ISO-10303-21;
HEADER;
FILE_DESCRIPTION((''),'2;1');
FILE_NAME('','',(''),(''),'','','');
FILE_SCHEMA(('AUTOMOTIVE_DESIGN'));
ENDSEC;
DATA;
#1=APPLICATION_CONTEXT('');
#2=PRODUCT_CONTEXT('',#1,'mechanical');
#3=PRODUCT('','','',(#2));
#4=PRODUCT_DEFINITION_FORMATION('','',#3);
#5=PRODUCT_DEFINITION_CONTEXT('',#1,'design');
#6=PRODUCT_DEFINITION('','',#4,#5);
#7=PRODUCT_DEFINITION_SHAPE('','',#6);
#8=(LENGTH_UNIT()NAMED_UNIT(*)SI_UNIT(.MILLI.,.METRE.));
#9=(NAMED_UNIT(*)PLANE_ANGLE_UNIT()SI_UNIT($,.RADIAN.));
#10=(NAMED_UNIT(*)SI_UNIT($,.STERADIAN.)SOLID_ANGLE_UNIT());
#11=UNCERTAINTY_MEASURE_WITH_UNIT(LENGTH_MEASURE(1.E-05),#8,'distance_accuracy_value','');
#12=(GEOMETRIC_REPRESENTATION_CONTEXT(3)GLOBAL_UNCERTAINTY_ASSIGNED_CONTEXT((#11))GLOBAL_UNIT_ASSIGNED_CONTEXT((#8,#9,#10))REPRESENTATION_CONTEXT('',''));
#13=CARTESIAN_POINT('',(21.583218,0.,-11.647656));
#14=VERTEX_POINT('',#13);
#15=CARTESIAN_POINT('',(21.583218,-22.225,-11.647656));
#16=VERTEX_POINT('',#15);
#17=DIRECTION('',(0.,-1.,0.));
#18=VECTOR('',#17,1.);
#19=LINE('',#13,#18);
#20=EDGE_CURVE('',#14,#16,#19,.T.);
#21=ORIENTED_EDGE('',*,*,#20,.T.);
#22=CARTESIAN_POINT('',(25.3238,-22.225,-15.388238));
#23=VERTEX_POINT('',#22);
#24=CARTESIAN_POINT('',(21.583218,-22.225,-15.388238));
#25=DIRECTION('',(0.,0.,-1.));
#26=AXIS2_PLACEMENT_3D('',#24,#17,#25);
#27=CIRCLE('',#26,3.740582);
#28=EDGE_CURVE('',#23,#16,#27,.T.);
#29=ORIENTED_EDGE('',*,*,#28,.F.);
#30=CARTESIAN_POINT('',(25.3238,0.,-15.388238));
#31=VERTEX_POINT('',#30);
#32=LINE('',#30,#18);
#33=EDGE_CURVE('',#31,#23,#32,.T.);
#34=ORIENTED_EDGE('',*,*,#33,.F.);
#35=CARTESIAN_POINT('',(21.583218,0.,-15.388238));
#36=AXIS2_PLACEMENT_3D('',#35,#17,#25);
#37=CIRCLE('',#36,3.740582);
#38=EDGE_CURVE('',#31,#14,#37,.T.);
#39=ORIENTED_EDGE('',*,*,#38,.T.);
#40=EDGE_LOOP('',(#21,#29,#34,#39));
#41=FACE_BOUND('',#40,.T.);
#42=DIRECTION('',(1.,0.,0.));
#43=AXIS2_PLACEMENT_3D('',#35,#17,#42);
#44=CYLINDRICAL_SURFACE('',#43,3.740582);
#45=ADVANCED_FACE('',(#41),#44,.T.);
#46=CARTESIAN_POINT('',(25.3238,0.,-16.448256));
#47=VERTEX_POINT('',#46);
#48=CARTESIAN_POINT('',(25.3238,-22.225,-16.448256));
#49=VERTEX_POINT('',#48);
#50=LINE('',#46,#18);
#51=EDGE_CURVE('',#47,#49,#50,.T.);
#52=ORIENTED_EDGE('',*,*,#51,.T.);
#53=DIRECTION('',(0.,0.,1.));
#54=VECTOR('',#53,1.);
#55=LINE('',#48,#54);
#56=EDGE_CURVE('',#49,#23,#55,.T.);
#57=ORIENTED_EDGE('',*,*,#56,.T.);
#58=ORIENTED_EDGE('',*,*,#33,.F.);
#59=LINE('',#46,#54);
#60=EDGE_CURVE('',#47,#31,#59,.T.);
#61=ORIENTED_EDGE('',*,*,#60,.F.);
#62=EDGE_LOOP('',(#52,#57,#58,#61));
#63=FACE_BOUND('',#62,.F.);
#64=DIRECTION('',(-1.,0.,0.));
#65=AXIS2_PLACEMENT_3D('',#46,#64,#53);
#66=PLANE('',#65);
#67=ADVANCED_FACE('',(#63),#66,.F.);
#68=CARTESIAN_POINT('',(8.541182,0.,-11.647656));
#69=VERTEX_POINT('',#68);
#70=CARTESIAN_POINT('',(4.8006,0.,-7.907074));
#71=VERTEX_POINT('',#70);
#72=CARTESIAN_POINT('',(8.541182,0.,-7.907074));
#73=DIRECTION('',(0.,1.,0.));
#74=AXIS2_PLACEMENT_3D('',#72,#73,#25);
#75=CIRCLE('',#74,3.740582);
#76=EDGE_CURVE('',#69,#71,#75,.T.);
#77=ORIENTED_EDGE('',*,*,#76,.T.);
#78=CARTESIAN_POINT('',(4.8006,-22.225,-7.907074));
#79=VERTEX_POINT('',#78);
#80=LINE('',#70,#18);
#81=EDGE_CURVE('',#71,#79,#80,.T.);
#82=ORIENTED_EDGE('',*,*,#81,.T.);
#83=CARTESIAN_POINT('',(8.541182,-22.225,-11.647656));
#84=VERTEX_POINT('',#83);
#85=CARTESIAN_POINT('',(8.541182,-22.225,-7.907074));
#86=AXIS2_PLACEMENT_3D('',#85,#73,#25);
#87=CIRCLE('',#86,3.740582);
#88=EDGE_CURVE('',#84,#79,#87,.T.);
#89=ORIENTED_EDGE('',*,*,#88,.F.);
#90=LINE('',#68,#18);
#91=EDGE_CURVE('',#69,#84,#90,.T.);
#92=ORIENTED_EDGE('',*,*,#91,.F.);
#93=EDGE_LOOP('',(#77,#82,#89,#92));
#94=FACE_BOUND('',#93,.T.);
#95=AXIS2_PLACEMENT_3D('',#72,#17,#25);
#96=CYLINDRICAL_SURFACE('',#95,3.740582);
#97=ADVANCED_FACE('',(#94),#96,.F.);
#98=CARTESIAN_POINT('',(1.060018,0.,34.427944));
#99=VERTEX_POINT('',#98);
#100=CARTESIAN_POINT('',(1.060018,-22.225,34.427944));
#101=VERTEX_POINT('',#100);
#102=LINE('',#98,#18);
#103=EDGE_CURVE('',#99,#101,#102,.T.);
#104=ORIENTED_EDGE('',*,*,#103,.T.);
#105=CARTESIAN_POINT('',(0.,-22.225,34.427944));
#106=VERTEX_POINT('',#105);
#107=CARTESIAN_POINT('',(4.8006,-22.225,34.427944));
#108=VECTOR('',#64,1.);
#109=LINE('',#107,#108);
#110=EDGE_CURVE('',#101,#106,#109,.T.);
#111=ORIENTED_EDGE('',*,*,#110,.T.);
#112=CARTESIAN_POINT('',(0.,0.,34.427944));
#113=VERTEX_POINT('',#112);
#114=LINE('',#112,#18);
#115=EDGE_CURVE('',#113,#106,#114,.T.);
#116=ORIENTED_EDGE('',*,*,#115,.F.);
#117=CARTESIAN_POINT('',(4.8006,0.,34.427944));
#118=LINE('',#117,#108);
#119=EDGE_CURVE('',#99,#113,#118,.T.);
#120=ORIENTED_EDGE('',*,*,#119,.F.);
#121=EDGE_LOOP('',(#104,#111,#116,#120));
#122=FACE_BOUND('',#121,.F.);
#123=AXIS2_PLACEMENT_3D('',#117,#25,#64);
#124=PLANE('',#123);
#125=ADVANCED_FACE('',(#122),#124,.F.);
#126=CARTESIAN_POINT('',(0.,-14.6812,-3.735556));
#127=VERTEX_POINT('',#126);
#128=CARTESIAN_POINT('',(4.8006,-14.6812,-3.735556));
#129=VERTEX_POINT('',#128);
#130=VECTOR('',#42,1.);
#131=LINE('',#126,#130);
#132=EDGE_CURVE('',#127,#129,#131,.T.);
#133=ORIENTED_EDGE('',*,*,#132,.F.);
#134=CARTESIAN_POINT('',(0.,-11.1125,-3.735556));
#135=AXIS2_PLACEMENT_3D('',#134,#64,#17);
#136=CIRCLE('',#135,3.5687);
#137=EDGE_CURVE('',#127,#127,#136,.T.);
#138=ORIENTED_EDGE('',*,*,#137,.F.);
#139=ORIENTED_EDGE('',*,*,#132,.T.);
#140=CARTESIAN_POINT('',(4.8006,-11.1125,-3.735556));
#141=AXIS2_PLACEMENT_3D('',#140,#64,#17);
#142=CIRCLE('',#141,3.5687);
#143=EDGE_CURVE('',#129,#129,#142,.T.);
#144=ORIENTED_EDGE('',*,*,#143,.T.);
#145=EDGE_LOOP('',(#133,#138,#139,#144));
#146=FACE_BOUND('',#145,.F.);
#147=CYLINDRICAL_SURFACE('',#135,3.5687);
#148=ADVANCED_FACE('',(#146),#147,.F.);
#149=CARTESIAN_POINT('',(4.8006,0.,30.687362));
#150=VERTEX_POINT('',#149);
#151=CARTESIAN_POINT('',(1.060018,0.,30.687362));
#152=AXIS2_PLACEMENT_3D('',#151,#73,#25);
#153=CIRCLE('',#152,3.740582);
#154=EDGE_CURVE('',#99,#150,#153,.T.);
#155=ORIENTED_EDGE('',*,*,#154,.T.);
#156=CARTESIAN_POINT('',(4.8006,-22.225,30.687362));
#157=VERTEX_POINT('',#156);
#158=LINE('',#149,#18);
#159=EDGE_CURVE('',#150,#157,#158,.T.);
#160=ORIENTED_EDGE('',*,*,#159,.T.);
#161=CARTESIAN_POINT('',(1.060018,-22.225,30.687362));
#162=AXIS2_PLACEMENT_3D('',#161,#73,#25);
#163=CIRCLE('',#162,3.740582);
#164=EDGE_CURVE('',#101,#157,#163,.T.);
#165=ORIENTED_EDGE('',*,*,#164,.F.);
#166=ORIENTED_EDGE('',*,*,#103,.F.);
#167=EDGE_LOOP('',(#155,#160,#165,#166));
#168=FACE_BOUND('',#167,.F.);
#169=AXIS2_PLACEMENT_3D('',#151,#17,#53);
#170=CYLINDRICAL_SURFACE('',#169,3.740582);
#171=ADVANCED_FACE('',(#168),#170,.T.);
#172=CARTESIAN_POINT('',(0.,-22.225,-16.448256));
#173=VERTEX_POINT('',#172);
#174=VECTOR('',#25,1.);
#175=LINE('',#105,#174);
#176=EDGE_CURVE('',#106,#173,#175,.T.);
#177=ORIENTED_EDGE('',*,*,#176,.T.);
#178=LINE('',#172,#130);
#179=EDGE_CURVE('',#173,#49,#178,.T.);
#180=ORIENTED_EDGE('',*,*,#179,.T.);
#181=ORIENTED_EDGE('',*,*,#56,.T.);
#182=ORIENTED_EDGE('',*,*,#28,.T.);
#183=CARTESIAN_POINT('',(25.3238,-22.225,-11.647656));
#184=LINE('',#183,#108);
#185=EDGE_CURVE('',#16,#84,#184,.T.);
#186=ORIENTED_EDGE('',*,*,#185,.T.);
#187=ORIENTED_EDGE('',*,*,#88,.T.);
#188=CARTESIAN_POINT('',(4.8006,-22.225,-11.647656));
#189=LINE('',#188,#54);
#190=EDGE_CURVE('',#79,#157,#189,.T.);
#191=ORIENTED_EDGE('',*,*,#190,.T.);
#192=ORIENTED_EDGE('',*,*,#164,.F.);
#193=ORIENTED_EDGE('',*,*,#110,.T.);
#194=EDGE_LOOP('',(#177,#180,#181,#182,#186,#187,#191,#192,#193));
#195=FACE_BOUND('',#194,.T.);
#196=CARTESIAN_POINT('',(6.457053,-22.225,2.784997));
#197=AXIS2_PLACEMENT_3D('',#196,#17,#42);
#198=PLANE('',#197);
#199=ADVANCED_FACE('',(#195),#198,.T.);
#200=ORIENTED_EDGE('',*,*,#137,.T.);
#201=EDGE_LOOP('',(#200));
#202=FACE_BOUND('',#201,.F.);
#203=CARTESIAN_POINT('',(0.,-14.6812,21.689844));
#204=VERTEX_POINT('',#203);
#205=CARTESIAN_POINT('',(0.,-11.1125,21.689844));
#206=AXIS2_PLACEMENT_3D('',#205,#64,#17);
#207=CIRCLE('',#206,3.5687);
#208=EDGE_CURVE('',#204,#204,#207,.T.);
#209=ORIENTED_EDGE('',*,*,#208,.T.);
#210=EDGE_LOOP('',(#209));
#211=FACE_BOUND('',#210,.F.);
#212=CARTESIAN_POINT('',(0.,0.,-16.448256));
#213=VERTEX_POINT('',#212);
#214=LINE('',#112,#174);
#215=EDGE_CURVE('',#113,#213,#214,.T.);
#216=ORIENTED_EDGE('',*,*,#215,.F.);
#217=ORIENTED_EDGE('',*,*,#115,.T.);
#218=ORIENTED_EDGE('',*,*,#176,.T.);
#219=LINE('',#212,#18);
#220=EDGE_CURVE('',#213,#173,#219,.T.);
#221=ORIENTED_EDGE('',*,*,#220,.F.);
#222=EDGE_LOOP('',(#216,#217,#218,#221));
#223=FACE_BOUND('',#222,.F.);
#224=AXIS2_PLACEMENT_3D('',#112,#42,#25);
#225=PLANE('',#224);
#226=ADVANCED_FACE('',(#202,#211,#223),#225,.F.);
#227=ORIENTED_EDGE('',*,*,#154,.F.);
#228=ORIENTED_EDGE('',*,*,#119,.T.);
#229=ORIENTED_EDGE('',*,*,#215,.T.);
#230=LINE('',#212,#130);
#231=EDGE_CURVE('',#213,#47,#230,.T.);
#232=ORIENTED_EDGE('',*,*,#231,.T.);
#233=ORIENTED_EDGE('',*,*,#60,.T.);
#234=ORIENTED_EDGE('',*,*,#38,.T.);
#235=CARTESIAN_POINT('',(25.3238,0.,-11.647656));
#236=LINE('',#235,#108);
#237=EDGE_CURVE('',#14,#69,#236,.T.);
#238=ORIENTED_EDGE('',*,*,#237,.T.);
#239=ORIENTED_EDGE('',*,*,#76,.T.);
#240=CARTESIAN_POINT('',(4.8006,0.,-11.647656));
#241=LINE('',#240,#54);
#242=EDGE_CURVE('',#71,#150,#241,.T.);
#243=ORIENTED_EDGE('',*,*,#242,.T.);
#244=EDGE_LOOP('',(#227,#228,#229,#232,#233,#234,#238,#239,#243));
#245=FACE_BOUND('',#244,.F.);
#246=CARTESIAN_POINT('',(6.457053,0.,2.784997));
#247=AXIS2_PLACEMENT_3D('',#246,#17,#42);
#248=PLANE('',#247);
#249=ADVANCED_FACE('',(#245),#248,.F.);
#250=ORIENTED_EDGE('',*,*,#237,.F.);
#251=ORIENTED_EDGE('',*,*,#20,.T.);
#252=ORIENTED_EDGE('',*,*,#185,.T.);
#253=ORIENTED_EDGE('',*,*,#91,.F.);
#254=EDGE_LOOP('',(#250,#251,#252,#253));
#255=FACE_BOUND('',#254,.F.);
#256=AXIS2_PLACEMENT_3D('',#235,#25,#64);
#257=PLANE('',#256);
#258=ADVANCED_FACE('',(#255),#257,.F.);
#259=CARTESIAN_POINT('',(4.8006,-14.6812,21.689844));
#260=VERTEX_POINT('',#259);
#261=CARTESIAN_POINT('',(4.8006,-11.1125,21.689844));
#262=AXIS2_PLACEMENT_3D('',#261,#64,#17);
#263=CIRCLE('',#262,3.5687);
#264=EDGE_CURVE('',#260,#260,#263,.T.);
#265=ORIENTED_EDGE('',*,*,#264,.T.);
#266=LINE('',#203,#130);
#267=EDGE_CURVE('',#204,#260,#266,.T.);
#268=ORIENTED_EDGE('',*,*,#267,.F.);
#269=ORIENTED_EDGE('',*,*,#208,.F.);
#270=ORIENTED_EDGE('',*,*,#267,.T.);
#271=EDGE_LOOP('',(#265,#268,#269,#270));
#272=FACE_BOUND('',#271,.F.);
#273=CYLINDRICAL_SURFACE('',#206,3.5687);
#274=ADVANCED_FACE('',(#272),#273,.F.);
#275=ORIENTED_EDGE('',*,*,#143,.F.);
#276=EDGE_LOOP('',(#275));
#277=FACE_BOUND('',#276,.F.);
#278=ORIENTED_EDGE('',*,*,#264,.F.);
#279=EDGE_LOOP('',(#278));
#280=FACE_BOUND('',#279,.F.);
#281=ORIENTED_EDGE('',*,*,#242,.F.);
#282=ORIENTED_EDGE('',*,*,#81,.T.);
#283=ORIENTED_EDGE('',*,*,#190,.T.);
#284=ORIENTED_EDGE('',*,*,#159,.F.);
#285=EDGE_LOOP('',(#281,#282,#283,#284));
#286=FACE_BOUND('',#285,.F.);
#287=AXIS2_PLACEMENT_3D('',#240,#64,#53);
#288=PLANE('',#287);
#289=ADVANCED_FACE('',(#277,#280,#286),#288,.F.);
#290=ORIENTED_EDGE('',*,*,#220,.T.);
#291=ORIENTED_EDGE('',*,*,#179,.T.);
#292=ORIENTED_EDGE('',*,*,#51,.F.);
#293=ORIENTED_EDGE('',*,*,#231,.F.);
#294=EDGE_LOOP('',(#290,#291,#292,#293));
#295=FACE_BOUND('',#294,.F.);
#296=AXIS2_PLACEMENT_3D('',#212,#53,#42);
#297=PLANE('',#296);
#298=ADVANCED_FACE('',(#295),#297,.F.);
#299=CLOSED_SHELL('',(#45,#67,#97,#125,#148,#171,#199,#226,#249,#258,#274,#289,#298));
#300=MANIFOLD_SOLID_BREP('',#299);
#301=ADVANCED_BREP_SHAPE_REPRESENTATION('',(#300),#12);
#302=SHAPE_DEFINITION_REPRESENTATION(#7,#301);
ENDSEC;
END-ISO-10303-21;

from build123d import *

# Parameters (mm, degrees)
F1_DEPTH = 22.225
F2_R     = 3.740582
F3_R     = 3.5687
F4_DEPTH = 4.8006


with BuildPart() as f1:
    # F0 (on Front) → F1 (new body)
    with BuildSketch(Plane.XZ):
        Polygon((4.8006, 34.427944), (0, 34.427944), (0, -16.448256), (25.3238, -16.448256), (25.3238, -11.647656), (4.8006, -11.647656), align=None)
    extrude(amount=F1_DEPTH)

    # F2
    f2_edges = [f1.edges().sort_by_distance(p)[0] for p in [
        (4.8006, -11.1125, 34.427944),
        (4.8006, -11.1125, -11.647656),
        (25.3238, -11.1125, -11.647656),
    ]]
    fillet(f2_edges, radius=F2_R)

    # F3 (on face) → F4 (cut)
    with BuildSketch(Plane(origin=(0, 0, 0), x_dir=(0, -1, 0), z_dir=(-1, 0, 0))):
        with Locations((11.1125, 21.689844)):
            Circle(F3_R)
        with Locations((11.1125, -3.735556)):
            Circle(F3_R)
    extrude(amount=-F4_DEPTH, mode=Mode.SUBTRACT)


solid = f1.part
